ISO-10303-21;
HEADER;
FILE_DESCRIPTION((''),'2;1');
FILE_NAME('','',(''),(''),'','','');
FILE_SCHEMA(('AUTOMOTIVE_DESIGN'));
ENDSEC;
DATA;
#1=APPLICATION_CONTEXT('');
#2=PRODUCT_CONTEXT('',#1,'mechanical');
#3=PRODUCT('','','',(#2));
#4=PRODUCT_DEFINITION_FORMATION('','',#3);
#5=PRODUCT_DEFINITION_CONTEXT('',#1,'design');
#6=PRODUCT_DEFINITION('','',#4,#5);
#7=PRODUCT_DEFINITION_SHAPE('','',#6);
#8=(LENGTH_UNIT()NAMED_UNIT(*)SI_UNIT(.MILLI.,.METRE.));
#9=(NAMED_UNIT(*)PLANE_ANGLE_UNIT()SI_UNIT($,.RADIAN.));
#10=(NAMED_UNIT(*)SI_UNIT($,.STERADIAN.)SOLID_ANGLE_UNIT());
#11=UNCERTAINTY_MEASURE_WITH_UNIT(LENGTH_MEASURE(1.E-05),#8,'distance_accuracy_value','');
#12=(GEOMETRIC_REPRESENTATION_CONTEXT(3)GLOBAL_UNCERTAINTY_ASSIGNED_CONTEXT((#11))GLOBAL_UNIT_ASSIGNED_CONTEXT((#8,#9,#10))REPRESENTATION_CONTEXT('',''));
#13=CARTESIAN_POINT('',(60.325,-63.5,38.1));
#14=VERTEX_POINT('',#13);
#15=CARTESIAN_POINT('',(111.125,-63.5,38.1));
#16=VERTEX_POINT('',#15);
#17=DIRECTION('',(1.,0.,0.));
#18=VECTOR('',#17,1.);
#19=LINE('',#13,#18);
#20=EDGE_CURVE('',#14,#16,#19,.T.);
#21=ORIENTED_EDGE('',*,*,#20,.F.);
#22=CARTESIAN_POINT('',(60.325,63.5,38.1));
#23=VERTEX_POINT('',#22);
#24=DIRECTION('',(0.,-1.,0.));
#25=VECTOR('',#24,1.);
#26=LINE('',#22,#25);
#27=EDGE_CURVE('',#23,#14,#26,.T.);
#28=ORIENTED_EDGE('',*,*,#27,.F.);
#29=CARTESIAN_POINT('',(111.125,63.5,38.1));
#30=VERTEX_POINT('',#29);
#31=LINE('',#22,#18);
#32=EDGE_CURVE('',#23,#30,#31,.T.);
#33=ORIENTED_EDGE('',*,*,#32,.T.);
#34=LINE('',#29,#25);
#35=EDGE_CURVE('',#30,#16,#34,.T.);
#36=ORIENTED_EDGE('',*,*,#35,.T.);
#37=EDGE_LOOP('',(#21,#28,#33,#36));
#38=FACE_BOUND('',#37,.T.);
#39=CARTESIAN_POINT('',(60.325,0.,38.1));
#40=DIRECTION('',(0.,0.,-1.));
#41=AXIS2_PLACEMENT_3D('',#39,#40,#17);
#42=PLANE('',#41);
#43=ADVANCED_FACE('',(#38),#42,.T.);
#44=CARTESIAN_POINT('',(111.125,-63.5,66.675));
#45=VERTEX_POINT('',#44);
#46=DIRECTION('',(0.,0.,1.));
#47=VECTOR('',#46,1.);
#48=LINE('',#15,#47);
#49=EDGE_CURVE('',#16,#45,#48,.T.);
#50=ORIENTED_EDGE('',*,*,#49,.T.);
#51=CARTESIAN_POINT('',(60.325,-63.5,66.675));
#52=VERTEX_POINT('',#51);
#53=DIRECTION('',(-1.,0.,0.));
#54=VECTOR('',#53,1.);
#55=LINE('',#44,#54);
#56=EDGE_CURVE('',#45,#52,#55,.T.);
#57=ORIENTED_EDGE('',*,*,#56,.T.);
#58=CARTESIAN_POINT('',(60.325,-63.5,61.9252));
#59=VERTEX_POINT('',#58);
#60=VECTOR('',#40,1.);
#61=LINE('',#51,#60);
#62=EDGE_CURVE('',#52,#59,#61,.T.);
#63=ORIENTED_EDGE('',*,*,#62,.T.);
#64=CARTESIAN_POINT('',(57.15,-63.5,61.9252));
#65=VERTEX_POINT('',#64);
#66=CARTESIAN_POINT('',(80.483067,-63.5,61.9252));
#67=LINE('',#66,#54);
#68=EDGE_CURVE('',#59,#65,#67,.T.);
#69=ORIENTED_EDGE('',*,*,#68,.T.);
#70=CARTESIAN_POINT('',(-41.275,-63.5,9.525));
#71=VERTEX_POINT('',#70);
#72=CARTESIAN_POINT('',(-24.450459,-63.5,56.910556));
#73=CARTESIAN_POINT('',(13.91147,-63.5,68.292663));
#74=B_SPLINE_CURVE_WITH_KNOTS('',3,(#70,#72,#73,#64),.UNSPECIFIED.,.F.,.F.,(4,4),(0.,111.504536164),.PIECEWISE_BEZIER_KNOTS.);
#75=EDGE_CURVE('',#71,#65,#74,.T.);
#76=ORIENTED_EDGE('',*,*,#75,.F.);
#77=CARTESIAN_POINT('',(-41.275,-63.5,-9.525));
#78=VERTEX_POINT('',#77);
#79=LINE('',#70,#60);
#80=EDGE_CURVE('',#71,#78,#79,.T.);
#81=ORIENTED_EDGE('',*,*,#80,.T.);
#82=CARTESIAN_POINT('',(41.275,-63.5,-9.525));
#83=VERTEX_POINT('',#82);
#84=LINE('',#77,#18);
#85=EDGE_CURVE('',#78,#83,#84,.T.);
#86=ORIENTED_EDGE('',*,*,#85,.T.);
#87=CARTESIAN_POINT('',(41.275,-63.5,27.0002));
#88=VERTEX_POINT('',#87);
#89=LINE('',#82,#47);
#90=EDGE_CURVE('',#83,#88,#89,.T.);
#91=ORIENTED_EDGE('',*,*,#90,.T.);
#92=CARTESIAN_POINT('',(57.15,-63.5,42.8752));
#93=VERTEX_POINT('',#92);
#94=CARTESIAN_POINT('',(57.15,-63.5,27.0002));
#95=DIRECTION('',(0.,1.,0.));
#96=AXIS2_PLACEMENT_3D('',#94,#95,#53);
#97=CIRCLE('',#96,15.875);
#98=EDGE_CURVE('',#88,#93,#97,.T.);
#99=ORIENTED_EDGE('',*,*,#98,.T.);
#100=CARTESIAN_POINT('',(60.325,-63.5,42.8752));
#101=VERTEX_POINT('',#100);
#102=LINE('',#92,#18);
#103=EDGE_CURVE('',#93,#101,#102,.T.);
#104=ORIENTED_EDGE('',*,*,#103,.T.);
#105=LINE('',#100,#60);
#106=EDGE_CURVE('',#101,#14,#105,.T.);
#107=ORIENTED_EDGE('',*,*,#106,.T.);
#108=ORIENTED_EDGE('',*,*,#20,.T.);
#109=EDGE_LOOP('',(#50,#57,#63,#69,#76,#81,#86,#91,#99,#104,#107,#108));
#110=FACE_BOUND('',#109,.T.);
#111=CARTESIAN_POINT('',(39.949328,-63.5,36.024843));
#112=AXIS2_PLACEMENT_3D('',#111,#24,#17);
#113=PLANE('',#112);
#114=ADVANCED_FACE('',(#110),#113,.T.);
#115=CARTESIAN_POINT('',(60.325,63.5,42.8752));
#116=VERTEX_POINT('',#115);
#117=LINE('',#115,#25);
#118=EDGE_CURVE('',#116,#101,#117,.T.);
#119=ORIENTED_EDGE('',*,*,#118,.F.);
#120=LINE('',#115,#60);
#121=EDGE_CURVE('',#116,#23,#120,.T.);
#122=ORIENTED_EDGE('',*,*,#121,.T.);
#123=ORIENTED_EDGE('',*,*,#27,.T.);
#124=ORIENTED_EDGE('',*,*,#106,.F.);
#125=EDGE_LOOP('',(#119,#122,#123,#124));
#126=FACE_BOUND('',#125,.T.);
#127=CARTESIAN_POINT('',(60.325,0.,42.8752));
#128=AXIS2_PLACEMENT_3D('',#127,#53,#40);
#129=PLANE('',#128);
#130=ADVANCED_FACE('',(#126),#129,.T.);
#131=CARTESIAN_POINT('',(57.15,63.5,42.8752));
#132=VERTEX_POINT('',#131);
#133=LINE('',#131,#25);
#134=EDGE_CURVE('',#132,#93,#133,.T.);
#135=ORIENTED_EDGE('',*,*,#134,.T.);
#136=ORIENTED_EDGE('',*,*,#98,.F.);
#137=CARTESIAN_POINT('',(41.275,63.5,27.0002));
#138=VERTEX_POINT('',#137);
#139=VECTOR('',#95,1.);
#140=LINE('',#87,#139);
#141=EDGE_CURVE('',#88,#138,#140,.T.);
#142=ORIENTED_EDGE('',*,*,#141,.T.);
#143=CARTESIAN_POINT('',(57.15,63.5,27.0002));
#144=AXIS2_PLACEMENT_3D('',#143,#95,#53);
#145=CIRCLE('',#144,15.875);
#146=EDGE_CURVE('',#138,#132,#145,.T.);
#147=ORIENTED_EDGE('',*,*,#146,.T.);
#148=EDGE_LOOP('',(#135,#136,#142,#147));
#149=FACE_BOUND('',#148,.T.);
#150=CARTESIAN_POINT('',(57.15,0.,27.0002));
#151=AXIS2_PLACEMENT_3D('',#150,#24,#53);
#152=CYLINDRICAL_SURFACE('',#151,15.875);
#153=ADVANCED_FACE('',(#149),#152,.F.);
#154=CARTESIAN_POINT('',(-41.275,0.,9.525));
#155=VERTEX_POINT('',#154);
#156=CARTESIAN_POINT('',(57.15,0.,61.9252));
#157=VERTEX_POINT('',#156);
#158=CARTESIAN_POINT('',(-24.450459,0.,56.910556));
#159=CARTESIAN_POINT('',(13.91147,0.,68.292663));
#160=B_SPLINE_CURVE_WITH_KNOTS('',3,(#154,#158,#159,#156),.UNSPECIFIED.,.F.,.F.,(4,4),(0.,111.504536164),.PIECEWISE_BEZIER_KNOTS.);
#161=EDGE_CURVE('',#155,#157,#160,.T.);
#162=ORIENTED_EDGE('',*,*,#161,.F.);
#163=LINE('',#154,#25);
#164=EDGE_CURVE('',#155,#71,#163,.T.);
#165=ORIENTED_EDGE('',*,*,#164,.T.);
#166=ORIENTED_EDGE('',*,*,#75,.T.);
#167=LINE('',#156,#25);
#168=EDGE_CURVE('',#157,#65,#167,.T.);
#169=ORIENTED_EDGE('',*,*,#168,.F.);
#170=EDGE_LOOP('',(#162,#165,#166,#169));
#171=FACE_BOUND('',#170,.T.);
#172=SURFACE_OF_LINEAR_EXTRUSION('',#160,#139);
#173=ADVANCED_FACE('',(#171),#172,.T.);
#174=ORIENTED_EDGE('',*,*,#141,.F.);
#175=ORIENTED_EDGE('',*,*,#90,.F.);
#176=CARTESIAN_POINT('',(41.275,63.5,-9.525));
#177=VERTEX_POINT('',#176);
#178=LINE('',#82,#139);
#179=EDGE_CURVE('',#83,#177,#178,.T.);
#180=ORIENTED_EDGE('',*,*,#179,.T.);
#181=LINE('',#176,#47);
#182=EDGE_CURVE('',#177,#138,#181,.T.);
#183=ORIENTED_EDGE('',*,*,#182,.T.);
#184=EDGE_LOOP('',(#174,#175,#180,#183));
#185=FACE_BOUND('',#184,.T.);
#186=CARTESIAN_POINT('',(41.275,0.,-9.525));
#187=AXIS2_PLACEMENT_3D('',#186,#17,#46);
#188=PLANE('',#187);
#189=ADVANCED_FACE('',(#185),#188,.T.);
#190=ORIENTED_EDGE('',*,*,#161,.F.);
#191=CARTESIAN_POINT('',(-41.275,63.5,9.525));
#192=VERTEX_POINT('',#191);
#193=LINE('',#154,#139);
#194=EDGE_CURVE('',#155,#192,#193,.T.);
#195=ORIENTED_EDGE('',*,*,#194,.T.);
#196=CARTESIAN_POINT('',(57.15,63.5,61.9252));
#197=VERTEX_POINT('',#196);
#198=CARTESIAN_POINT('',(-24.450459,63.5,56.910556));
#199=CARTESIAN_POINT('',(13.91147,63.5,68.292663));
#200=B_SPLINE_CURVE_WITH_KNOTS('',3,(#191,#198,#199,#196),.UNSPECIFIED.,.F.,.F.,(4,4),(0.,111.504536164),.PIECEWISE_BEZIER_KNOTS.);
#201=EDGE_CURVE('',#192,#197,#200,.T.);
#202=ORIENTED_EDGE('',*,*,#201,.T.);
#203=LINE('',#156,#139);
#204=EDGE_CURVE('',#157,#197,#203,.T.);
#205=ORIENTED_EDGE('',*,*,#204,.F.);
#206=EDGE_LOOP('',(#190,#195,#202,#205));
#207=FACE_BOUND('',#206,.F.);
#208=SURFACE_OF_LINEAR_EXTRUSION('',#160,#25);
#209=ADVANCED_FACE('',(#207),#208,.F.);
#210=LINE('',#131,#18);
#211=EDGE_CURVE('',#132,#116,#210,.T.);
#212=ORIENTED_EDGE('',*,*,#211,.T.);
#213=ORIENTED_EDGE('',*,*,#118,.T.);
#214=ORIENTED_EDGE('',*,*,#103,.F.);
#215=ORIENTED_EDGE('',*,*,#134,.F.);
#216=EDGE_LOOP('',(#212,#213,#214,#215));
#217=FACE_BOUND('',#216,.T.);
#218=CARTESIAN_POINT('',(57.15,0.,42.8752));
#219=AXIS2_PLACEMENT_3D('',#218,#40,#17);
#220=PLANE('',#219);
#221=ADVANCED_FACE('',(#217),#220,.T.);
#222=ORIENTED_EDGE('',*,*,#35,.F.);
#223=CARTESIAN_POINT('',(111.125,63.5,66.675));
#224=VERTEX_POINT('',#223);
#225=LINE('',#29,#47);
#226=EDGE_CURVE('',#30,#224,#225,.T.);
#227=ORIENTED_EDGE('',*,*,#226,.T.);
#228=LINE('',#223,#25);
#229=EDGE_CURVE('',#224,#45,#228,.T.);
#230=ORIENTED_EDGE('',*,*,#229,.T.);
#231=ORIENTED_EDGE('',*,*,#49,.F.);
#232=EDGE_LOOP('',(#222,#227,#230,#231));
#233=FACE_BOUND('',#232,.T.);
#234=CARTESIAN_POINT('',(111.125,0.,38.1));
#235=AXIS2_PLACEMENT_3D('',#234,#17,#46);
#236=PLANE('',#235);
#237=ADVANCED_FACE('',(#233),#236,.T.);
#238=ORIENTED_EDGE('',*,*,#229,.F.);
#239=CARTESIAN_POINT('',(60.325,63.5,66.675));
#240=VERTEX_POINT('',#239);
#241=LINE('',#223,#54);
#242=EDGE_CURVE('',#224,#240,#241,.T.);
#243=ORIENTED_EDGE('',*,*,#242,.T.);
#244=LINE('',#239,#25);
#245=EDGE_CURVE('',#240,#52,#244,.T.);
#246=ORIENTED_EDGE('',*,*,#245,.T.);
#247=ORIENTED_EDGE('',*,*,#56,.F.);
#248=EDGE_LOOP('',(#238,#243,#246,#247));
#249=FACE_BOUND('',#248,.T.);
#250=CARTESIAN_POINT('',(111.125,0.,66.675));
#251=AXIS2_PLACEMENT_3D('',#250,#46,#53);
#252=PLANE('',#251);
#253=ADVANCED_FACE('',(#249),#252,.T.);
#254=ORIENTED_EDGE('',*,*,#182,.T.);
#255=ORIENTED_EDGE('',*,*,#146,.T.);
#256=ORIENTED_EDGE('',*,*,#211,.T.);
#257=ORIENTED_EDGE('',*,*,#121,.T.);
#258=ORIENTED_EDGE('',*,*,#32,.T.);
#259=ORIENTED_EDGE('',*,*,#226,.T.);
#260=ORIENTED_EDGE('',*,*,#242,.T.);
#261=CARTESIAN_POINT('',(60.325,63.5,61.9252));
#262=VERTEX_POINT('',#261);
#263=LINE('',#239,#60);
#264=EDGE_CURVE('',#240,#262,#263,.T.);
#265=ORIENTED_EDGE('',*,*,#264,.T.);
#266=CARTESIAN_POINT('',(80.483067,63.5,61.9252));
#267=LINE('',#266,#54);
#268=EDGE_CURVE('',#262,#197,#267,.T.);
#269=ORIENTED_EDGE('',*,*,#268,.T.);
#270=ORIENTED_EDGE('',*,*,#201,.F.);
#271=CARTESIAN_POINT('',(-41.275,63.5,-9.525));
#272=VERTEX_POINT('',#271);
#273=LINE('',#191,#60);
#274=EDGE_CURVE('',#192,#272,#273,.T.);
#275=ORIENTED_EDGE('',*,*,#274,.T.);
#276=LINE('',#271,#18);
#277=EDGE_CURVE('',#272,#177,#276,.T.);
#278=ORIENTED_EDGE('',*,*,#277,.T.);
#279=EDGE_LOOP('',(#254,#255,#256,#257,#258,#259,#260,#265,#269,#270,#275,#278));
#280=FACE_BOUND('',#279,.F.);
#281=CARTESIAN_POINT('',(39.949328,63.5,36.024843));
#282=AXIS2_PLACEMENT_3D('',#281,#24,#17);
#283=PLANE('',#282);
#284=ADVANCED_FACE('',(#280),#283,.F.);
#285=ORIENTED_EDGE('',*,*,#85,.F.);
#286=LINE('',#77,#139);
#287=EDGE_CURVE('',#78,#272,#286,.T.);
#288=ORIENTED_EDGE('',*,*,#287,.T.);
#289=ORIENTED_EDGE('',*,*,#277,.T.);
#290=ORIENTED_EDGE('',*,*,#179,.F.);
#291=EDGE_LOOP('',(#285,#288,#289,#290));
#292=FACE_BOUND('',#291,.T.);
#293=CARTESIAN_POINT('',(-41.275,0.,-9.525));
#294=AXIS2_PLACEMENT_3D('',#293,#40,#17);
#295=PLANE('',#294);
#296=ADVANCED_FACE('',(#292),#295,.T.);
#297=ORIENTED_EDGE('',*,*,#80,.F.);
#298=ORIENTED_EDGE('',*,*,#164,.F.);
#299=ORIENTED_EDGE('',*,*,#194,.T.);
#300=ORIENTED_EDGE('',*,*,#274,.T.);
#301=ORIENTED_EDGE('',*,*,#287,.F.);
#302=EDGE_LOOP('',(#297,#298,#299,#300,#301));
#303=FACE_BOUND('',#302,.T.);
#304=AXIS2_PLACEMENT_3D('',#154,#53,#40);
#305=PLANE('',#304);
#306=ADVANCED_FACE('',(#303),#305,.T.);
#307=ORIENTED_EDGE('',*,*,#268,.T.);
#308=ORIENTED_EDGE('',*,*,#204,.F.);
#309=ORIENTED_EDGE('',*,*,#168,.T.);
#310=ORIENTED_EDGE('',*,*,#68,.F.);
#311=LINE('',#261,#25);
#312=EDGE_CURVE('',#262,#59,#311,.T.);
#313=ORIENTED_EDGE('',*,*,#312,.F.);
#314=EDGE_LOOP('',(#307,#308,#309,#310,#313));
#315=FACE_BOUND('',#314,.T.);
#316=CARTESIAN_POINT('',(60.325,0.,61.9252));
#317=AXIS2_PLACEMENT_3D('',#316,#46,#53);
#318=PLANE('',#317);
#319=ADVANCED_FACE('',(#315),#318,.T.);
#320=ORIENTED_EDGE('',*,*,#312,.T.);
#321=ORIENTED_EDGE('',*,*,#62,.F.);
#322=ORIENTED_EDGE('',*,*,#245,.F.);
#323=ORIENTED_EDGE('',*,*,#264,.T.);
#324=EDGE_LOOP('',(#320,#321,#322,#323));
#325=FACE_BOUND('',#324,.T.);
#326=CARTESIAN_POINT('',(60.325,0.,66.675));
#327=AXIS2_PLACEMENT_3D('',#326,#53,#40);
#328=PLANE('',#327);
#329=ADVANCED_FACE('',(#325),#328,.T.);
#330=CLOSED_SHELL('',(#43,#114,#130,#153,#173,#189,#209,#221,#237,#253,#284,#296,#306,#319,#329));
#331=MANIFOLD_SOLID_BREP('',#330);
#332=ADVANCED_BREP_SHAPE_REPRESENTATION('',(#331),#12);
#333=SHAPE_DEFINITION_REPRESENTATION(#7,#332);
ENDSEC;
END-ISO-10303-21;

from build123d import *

# Parameters (mm, degrees)
F0_W     = 20.1580673288
F0_H     = 19.05
F1_DEPTH = 63.5


with BuildPart() as f1:
    # F0 (on Front) → F1 (new body, symmetric)
    with BuildSketch(Plane.XZ):
        with BuildLine():
            Line((22.225, 9.525), (41.275, 9.525))
            Line((41.275, 9.525), (41.275, 27.0002))
            ThreePointArc((41.275, 27.0002), (45.9246798487, 38.2255201513), (57.15, 42.8752))
            Line((57.15, 42.8752), (60.325, 42.8752))
            Line((60.325, 42.8752), (60.325, 61.9252))
            Line((60.325, 61.9252), (57.15, 61.9252))
            ThreePointArc((57.15, 61.9252), (32.4542956671, 51.6959043329), (22.225, 27.0002))
            Line((22.225, 27.0002), (22.225, 9.525))
        make_face()
        with BuildLine():
            add(Edge.make_bspline(
                [(-41.275, 9.525), (-24.4504585862, 56.9105558097), (13.9114698395, 68.2926625013), (57.15, 61.9252)],
                knots=[0, 0, 0, 0, 111.5045361635, 111.5045361635, 111.5045361635, 111.5045361635], degree=3))
            Line((-41.275, 9.525), (22.225, 9.525))
            Line((22.225, 9.525), (22.225, 27.0002))
            ThreePointArc((22.225, 27.0002), (32.4542956671, 51.6959043329), (57.15, 61.9252))
        make_face()
        with Locations((70.4040336644, 52.4002)):
            Rectangle(F0_W, F0_H)
        Polygon((60.325, 66.675), (60.325, 61.9252), (80.4830673288, 61.9252), (80.4830673288, 42.8752), (60.325, 42.8752), (60.325, 38.1), (111.125, 38.1), (111.125, 66.675), align=None)
        Polygon((-41.275, 9.525), (-41.275, -9.525), (41.275, -9.525), (41.275, 9.525), (22.225, 9.525), align=None)
    extrude(amount=F1_DEPTH, both=True)


solid = f1.part
